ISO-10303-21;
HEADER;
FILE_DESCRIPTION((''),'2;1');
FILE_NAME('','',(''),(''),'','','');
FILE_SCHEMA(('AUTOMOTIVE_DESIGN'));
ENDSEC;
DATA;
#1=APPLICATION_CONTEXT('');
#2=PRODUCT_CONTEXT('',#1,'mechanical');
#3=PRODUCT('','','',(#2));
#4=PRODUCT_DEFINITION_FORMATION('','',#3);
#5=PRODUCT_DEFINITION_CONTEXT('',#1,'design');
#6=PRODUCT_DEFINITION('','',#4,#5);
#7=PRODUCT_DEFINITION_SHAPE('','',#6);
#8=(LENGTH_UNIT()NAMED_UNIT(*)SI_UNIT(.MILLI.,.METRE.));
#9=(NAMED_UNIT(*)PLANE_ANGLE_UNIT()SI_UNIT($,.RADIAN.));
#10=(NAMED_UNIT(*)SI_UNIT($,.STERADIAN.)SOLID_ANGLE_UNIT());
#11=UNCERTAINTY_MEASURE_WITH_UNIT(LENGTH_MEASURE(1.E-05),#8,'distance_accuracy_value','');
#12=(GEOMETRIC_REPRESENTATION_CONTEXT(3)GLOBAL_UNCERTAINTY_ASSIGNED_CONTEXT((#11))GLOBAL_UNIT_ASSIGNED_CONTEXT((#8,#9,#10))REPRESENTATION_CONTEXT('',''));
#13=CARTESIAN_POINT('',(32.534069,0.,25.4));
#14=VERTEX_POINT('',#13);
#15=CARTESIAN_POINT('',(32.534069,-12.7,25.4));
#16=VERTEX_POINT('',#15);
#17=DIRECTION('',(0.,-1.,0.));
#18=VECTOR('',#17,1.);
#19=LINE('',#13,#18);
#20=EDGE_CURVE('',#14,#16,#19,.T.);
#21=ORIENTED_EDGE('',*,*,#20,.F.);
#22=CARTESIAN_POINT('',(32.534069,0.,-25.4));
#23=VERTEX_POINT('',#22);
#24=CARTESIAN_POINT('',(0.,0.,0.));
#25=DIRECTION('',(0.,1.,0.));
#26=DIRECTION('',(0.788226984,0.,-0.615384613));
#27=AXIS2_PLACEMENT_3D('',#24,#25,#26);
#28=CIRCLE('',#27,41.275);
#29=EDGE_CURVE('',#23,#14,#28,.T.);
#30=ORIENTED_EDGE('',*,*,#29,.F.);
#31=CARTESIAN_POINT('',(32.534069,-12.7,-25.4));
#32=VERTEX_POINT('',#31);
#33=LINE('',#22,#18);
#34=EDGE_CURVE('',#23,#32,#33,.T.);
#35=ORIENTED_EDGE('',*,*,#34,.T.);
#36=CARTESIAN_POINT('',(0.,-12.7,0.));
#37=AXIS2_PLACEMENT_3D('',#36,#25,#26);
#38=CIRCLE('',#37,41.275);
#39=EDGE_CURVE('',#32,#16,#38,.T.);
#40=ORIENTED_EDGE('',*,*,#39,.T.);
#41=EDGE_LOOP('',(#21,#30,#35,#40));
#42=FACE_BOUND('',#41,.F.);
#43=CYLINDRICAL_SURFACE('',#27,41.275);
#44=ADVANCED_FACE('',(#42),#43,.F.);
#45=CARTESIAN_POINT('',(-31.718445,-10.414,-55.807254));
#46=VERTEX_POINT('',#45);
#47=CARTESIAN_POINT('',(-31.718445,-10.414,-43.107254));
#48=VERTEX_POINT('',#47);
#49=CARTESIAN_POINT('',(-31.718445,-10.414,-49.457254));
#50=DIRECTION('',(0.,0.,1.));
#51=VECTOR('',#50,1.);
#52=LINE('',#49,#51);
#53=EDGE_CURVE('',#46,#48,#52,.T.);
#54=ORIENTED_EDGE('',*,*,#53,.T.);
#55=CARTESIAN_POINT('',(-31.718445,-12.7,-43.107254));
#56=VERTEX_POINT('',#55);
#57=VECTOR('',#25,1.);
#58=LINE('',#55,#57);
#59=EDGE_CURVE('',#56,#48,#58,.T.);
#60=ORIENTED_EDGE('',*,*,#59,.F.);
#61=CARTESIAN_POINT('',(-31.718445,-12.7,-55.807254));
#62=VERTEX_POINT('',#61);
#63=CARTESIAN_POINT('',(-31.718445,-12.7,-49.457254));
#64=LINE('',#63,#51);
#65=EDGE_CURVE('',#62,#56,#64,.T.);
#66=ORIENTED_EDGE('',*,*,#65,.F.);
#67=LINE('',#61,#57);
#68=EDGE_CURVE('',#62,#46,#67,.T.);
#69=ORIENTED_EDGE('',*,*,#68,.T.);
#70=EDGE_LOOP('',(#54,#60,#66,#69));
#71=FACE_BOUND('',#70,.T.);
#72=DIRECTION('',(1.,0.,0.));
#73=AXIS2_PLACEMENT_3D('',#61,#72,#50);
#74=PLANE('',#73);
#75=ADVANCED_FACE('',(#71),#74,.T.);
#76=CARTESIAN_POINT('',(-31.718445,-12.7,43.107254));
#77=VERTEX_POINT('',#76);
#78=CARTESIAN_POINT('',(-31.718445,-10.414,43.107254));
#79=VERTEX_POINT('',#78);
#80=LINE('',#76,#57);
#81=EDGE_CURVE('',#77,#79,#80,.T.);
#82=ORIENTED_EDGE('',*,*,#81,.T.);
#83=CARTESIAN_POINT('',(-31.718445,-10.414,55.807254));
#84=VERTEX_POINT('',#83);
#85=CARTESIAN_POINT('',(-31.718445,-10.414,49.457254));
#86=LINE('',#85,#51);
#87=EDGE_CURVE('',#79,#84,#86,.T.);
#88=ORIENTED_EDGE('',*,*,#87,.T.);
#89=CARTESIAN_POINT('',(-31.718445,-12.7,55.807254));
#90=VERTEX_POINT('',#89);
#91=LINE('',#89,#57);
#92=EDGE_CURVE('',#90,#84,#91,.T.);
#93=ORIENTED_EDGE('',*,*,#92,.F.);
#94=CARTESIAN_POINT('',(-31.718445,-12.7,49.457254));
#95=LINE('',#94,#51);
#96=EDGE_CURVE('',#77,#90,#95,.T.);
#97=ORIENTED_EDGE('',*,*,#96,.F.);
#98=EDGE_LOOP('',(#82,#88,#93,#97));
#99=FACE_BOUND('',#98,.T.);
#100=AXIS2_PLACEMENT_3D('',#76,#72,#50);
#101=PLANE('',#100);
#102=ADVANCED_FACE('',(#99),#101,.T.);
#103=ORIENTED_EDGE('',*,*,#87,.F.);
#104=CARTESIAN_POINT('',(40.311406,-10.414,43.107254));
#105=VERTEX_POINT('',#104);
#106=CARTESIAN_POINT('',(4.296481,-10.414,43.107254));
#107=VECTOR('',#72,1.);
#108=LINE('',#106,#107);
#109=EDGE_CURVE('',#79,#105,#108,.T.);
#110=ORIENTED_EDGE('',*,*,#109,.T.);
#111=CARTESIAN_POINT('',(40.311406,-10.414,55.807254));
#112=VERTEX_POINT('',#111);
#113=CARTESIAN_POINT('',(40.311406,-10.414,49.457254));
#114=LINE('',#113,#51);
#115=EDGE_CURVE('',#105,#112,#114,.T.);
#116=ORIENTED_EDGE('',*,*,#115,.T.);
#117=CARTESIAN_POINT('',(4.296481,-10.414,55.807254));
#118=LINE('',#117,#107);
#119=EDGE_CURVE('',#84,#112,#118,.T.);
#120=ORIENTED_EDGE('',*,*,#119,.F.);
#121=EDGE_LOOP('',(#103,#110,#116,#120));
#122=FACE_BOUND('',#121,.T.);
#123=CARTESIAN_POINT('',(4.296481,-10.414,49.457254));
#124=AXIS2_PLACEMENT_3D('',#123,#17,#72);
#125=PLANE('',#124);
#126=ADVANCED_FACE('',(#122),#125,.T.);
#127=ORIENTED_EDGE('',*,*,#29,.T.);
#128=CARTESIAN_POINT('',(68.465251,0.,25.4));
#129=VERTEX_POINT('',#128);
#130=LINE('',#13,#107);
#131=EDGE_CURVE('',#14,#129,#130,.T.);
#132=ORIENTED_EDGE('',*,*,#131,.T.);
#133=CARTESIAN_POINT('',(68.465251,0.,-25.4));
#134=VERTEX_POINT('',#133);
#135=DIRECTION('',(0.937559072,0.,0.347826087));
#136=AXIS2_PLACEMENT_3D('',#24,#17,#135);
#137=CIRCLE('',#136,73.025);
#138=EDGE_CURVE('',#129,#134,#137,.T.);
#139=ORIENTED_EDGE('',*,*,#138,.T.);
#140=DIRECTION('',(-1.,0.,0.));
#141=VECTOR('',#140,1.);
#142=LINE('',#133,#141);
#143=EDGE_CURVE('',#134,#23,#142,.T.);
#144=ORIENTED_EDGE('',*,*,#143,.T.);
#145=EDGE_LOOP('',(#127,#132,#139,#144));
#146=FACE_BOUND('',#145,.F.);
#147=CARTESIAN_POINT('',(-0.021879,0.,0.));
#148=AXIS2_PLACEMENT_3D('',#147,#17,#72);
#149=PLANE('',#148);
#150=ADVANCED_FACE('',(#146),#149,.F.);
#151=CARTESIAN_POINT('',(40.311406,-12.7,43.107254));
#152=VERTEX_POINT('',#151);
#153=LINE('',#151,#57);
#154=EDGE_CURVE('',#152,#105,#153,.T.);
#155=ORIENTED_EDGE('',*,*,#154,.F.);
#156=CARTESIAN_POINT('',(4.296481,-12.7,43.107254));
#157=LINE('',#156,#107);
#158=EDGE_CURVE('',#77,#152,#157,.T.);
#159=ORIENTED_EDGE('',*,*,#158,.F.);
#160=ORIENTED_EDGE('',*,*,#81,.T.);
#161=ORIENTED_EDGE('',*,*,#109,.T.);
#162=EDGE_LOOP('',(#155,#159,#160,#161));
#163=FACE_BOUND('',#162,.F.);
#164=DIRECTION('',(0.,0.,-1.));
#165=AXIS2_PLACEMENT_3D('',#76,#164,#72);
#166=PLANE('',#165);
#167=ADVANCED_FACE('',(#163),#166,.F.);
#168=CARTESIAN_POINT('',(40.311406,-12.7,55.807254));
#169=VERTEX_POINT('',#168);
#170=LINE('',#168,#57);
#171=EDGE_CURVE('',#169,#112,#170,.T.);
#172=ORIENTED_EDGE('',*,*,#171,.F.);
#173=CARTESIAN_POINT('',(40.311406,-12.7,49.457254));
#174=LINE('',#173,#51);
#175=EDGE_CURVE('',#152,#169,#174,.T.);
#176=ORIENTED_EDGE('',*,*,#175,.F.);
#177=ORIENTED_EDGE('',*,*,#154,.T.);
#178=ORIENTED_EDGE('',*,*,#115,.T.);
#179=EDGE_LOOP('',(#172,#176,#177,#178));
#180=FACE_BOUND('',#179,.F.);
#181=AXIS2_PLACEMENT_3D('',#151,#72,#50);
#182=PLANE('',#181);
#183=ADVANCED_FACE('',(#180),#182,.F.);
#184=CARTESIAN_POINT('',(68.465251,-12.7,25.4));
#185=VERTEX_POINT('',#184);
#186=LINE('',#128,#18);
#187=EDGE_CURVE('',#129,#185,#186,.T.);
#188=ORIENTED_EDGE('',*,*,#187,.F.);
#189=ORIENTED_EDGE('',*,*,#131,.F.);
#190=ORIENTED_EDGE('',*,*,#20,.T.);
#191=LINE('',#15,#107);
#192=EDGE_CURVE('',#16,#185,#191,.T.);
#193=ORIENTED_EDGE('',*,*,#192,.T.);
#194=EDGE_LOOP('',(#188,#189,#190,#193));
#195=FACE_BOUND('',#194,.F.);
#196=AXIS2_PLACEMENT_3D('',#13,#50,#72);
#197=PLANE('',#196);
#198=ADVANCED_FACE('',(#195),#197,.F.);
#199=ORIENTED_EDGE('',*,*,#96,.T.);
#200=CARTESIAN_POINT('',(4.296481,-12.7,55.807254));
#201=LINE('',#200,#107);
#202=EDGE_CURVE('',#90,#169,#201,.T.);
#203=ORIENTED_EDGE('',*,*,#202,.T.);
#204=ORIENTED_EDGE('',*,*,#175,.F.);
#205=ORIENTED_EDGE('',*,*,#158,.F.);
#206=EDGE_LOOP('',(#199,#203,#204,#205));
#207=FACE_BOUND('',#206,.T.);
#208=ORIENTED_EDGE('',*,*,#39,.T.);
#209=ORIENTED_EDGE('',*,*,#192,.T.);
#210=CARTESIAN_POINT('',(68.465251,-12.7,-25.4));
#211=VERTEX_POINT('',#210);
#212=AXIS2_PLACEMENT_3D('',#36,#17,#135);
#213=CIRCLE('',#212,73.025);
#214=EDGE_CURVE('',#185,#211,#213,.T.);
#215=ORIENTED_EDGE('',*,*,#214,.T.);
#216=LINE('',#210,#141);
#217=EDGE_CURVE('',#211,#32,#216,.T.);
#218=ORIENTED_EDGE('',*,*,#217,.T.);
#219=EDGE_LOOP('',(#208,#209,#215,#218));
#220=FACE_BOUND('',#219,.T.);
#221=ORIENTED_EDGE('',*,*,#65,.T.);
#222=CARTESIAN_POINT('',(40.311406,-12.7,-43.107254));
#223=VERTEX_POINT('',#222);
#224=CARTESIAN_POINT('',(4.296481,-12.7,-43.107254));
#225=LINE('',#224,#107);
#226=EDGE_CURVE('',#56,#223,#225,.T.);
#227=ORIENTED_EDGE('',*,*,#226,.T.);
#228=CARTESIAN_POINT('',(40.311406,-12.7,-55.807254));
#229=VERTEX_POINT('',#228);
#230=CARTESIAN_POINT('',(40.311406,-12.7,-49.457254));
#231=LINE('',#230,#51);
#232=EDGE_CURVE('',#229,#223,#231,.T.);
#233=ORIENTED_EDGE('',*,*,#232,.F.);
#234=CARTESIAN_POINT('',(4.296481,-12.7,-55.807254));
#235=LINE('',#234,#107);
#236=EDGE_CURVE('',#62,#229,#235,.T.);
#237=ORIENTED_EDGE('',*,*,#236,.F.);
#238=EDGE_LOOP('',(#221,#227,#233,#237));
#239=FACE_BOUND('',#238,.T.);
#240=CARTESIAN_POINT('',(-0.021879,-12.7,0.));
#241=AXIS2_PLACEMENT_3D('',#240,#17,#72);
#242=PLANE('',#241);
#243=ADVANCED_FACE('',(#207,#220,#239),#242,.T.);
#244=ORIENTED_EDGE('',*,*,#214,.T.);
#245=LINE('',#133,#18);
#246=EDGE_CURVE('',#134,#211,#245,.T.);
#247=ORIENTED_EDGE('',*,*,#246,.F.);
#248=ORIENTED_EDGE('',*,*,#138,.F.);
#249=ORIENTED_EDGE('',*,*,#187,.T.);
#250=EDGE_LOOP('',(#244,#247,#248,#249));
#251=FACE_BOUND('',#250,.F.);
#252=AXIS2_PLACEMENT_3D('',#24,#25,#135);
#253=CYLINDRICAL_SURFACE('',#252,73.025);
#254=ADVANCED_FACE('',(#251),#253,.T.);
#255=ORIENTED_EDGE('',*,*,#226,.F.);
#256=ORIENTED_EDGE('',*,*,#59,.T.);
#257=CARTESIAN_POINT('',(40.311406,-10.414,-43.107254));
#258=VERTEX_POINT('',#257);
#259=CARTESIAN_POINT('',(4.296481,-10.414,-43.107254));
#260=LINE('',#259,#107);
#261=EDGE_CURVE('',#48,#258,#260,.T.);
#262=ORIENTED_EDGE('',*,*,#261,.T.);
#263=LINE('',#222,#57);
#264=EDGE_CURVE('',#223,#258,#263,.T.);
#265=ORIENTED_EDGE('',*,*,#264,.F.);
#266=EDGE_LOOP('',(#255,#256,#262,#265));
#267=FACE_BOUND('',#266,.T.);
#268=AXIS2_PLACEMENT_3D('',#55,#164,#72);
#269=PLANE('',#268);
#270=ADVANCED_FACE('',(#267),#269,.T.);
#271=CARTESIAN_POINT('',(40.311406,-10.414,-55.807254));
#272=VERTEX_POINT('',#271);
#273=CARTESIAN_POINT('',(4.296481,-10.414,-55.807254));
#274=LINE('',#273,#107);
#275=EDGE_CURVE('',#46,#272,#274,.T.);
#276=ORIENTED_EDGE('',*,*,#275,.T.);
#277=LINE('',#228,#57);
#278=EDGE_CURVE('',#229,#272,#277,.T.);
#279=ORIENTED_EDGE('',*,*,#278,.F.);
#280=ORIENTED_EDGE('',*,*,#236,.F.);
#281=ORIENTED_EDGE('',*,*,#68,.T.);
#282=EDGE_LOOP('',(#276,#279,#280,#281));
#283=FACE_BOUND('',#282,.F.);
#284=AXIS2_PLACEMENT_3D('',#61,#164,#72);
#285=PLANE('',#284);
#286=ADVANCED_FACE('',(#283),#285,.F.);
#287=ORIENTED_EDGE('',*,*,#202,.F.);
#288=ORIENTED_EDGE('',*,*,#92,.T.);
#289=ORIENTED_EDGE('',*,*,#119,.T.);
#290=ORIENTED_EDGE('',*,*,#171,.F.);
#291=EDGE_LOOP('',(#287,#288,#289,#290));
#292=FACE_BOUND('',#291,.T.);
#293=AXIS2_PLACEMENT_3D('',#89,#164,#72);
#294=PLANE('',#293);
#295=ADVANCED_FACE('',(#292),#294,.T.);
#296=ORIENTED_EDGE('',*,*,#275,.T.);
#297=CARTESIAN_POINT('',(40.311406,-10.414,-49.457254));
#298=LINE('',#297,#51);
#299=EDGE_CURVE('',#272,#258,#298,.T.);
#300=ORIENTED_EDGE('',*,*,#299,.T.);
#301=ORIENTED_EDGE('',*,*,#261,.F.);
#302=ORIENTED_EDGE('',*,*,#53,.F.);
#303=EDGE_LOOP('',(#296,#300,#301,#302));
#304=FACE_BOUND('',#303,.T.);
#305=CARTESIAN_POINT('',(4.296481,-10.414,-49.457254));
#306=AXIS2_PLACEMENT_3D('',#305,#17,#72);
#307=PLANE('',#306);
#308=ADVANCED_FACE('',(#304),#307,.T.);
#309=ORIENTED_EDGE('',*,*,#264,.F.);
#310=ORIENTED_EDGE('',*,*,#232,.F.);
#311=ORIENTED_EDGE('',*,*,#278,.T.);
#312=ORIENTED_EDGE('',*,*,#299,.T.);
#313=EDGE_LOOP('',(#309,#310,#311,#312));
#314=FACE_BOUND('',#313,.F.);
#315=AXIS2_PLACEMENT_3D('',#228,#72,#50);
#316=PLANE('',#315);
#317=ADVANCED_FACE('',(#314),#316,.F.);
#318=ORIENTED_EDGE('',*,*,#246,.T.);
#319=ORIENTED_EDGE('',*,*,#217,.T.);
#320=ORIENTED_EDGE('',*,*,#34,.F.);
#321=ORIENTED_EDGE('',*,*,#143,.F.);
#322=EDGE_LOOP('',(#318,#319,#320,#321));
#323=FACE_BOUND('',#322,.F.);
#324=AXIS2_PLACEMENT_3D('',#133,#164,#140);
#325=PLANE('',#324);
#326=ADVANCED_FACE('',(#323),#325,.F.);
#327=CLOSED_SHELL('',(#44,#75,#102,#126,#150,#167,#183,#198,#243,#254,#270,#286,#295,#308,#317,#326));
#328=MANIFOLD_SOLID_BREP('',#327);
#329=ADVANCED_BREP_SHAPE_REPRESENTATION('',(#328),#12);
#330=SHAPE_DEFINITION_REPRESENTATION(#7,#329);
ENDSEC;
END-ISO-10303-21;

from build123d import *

# Parameters (mm, degrees)
F1_DEPTH = 12.7
F2_W     = 72.029851
F2_H     = 12.7
F3_DEPTH = 2.286


with BuildPart() as f1:
    # F0 (on Front) → F1 (new body)
    with BuildSketch(Plane.XZ):
        with BuildLine():
            Line((32.534069, 25.4), (68.465251, 25.4))
            ThreePointArc((68.465251, 25.4), (-73.025, 0), (68.465251, -25.4))
            Line((68.465251, -25.4), (32.534069, -25.4))
            ThreePointArc((32.534069, -25.4), (-41.275, 0), (32.534069, 25.4))
        make_face()
    extrude(amount=F1_DEPTH)

    # F2 (on face) → F3 (cut)
    with BuildSketch(Plane.XZ.offset(12.7)):
        with Locations((4.296481, 49.457254)):
            Rectangle(F2_W, F2_H)
        with Locations((4.296481, -49.457254)):
            Rectangle(F2_W, F2_H)
    extrude(amount=-F3_DEPTH, mode=Mode.SUBTRACT)


solid = f1.part
